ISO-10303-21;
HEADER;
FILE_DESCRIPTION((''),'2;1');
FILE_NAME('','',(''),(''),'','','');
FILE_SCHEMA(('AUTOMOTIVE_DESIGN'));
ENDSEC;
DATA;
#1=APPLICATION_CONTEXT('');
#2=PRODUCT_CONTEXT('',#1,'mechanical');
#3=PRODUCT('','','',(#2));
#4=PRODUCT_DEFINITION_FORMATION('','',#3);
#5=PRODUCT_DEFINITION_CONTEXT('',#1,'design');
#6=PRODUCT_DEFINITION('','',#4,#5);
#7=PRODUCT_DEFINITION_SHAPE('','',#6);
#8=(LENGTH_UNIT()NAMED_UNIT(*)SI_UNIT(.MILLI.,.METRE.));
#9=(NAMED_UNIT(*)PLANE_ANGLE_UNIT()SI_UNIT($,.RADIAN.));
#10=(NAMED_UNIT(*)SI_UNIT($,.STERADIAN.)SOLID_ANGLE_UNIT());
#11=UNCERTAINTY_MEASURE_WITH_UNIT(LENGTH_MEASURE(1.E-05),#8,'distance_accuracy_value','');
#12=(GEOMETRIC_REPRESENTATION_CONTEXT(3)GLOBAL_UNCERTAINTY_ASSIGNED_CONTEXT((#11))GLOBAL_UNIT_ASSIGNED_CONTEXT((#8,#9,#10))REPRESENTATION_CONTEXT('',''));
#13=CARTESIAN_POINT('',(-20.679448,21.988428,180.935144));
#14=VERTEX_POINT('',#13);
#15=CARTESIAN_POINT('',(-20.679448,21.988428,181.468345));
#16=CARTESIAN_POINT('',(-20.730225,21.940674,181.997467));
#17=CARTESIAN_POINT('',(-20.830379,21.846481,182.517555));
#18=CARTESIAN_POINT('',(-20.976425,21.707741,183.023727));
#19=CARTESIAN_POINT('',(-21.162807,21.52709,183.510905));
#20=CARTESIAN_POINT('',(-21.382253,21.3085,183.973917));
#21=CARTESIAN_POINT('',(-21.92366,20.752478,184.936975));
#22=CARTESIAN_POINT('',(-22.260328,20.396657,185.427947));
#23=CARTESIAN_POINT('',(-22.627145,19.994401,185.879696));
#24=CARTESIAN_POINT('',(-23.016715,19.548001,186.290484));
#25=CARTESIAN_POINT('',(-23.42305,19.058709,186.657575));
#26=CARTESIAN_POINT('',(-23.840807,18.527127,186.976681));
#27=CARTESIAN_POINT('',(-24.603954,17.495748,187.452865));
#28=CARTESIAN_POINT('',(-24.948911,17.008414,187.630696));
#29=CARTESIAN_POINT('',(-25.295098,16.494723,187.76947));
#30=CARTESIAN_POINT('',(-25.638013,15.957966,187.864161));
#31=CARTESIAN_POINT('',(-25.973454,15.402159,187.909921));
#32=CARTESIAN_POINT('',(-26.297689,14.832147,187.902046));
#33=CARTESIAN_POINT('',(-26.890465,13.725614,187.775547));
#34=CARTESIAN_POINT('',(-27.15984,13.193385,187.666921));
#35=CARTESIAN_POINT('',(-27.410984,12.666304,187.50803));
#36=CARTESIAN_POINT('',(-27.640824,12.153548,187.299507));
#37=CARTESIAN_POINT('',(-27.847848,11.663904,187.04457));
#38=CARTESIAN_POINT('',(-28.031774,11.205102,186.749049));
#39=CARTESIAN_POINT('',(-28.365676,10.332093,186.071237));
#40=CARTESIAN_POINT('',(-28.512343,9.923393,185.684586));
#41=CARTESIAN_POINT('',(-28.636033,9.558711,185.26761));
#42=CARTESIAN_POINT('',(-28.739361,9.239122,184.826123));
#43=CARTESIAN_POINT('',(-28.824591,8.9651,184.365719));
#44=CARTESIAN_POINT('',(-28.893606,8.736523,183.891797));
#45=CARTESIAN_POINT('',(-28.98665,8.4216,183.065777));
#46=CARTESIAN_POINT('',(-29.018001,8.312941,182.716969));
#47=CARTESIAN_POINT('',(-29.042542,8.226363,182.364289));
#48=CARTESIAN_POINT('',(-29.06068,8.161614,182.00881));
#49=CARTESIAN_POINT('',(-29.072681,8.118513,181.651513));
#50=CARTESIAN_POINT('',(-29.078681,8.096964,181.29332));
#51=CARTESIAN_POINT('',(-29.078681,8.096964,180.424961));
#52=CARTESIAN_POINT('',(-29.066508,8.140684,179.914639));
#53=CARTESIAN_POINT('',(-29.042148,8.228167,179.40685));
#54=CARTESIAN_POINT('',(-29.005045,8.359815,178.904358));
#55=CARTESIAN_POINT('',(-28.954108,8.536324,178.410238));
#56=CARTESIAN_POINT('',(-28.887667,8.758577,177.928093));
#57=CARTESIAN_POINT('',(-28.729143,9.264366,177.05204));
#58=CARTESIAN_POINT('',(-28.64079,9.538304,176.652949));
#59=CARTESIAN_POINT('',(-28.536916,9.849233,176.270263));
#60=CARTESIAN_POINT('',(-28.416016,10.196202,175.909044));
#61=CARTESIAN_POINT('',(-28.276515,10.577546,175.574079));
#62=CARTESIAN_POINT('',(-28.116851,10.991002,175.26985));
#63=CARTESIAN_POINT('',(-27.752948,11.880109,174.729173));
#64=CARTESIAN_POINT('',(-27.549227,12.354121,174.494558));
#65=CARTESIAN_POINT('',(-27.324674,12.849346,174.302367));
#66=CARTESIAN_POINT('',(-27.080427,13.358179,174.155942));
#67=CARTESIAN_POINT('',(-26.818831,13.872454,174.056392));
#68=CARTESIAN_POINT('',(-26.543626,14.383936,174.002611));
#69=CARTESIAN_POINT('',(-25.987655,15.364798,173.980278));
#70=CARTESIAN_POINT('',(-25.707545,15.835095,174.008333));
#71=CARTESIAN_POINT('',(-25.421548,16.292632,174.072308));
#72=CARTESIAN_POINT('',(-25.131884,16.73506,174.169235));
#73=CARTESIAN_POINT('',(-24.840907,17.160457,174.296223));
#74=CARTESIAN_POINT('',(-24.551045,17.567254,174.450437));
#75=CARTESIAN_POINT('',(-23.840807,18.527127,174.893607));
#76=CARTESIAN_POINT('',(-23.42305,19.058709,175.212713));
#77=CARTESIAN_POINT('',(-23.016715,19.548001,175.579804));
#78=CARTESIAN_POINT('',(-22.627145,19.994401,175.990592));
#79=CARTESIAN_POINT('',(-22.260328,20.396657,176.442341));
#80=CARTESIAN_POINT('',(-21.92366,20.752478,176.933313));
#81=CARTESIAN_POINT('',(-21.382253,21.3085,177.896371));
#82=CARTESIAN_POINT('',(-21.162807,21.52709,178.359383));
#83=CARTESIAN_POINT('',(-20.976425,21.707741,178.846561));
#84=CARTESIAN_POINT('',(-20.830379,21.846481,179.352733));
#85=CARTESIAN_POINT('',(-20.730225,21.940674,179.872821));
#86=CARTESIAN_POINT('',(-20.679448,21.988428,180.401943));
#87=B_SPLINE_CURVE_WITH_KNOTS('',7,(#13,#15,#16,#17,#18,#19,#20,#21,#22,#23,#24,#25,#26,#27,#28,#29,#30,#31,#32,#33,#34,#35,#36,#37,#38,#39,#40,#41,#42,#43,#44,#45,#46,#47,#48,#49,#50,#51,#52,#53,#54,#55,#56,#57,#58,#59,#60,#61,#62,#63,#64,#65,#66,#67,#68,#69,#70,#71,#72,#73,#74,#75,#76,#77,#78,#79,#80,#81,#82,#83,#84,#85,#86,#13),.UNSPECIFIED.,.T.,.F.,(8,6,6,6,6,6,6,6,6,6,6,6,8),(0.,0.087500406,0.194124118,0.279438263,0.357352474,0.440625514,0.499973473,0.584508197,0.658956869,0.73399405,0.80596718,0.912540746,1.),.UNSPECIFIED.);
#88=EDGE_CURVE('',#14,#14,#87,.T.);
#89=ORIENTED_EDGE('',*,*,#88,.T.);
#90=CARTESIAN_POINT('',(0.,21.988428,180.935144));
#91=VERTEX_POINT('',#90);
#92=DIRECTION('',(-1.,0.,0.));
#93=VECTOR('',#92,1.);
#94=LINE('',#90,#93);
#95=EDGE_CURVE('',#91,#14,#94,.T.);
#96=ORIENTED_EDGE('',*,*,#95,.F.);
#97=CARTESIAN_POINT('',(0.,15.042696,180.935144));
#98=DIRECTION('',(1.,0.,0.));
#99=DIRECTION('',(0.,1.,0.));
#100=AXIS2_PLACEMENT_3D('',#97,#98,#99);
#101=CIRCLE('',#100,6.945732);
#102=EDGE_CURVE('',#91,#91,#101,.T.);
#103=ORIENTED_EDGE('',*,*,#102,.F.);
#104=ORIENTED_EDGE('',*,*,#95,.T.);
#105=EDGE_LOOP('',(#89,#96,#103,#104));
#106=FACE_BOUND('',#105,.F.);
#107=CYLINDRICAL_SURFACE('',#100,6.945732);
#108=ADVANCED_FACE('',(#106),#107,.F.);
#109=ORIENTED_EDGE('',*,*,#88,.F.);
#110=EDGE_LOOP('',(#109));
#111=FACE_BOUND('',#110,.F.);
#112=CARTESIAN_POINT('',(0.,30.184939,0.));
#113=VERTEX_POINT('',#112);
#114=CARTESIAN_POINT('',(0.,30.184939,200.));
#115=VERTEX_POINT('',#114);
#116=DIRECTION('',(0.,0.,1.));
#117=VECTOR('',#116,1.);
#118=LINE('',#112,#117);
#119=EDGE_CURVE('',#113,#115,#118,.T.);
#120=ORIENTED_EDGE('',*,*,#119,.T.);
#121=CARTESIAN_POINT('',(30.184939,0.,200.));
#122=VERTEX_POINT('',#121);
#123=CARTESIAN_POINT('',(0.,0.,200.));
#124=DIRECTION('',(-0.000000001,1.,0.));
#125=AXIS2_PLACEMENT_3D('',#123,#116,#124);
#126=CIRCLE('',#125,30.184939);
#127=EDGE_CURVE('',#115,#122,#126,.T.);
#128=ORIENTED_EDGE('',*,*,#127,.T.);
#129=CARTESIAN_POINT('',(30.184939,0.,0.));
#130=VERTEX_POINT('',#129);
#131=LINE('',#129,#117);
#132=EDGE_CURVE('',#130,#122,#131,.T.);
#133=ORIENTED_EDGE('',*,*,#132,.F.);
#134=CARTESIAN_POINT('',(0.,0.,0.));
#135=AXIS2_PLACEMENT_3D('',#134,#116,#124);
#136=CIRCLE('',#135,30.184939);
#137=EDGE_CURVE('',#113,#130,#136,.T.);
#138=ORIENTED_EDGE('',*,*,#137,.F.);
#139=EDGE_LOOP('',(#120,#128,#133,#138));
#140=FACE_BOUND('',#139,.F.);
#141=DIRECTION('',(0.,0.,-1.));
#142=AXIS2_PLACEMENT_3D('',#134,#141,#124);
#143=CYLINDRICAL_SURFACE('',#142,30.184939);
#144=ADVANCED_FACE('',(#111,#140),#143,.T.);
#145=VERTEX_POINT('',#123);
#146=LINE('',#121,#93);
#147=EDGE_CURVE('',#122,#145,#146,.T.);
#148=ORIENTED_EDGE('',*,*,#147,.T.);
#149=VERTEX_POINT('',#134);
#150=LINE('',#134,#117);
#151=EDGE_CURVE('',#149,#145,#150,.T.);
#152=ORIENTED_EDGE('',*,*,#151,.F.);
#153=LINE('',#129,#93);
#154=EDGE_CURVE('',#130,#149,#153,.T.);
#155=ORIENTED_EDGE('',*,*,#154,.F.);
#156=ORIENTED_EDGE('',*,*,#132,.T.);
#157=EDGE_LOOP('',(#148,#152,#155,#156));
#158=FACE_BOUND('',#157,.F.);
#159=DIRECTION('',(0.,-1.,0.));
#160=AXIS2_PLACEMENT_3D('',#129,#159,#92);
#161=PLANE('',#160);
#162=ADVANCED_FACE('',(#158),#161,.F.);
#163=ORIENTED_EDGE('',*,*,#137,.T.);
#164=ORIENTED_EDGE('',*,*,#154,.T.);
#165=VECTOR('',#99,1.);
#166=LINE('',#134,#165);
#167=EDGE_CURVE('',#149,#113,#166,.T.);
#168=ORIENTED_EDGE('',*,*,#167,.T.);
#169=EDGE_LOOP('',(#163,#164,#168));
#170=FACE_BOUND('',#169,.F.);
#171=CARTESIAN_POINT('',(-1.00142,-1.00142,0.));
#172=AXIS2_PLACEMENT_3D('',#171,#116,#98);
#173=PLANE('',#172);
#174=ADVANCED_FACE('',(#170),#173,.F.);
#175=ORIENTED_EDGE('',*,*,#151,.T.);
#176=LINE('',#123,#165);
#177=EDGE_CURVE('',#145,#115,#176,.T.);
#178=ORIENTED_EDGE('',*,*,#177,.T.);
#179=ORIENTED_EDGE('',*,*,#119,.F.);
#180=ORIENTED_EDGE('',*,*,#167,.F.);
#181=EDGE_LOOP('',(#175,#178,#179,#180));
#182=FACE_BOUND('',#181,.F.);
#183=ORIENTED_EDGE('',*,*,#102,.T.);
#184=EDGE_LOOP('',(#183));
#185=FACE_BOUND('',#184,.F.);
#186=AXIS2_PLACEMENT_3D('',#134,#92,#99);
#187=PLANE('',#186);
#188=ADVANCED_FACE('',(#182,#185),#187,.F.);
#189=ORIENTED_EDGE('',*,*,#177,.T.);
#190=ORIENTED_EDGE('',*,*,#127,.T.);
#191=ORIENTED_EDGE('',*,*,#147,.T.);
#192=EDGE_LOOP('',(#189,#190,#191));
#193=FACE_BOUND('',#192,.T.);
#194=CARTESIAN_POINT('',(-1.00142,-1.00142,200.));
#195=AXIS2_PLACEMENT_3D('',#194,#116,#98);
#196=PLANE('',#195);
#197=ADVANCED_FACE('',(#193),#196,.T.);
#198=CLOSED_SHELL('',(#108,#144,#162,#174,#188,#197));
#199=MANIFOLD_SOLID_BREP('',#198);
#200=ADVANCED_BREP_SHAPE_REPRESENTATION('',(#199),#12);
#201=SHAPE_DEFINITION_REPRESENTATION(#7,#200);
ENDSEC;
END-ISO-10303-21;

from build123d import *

# Parameters (mm, degrees)
F1_DEPTH = 200
F2_R     = 6.945732
F3_DEPTH = 91.314025


with BuildPart() as f1:
    # F0 (on Top) → F1 (new body)
    with BuildSketch(Plane.XY):
        with BuildLine():
            ThreePointArc((0, 30.184939), (-21.343975, -21.343975), (30.184939, 0))
            Line((30.184939, 0), (0, 0))
            Line((0, 0), (0, 30.184939))
        make_face()
    extrude(amount=F1_DEPTH)

    # F2 (on face) → F3 (cut)
    with BuildSketch(Plane.YZ):
        with Locations((15.042696, 180.935144)):
            Circle(F2_R)
    extrude(amount=-F3_DEPTH, mode=Mode.SUBTRACT)


solid = f1.part
